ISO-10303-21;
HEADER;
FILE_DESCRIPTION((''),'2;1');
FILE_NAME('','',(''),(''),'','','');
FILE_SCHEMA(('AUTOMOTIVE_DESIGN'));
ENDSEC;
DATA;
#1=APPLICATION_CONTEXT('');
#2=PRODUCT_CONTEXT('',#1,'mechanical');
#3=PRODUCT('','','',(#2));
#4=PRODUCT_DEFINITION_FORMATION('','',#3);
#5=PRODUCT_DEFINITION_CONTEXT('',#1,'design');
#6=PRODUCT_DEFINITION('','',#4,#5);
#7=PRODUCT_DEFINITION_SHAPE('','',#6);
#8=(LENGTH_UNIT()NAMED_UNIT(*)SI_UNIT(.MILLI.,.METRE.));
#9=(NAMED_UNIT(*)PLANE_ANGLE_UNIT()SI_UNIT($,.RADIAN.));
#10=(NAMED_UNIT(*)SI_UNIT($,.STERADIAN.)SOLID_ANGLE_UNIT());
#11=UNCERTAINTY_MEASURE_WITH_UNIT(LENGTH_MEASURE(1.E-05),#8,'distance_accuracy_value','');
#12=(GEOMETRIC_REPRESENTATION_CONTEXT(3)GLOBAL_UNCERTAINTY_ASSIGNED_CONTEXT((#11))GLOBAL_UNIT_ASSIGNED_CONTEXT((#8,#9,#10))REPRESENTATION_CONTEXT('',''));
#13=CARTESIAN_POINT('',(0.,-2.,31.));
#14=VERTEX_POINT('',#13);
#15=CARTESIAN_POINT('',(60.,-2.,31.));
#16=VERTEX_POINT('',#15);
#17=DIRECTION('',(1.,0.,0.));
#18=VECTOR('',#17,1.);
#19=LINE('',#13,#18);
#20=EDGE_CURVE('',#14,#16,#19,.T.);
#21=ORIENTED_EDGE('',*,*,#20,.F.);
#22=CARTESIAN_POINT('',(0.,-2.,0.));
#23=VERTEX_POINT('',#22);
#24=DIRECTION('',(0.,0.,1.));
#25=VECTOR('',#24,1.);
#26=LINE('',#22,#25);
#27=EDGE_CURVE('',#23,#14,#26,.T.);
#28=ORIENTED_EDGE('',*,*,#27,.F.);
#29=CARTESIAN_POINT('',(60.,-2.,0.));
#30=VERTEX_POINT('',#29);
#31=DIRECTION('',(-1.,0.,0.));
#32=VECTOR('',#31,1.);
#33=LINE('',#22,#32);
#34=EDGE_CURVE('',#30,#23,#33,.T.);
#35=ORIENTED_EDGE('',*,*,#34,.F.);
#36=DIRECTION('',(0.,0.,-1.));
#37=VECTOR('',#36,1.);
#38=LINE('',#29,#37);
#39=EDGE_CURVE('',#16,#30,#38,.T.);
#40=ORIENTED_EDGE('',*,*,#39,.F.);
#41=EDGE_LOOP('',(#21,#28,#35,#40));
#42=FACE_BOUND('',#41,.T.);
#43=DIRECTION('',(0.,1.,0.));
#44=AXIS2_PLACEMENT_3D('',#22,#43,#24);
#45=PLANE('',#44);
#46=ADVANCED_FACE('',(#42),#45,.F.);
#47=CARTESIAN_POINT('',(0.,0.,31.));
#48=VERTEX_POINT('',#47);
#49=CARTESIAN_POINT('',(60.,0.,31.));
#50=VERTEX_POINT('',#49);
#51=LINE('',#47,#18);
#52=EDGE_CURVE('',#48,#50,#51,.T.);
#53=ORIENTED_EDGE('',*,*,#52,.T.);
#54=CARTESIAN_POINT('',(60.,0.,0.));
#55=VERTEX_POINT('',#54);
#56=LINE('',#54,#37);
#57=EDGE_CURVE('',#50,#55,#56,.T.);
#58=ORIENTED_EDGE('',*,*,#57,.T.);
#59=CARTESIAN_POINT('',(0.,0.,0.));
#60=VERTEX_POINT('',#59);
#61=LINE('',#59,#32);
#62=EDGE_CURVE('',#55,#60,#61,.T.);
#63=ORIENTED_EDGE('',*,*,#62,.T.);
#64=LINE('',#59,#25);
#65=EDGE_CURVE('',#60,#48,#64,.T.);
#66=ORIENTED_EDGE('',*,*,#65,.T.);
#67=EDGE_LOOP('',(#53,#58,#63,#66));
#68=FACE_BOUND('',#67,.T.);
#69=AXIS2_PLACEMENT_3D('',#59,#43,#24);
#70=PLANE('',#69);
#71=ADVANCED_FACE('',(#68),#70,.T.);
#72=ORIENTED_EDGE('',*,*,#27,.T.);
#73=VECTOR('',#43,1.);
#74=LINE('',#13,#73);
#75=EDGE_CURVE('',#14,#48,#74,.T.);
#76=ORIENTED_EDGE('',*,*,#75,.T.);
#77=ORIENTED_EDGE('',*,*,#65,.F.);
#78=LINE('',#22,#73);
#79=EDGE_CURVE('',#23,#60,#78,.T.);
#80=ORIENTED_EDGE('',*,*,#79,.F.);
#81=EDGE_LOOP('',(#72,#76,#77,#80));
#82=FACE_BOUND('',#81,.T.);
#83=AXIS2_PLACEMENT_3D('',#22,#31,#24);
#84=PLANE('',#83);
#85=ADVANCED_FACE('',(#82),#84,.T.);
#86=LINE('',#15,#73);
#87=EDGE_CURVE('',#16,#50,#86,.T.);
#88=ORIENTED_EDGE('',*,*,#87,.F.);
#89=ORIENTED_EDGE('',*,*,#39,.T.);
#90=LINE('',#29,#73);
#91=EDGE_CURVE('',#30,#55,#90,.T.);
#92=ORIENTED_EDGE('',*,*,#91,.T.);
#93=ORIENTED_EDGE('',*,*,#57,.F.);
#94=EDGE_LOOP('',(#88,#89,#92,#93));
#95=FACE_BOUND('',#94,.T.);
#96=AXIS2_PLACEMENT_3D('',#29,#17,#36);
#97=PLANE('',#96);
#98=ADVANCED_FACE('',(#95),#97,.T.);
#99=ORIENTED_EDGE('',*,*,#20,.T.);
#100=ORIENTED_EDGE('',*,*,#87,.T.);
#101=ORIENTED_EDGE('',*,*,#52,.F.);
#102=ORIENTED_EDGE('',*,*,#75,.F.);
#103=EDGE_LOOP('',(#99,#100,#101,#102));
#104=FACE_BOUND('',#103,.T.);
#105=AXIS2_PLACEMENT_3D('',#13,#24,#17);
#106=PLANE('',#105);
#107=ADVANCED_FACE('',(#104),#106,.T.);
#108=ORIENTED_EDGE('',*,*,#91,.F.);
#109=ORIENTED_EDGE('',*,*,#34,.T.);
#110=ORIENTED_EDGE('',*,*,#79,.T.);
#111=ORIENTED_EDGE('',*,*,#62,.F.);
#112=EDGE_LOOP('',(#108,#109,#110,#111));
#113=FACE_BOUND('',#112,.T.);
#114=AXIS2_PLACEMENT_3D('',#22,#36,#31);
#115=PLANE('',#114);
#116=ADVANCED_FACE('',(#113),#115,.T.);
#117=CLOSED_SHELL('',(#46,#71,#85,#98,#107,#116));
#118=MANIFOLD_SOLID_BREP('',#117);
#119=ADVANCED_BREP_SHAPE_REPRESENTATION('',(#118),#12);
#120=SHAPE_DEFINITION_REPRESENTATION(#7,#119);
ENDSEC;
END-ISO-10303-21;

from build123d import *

# Parameters (mm, degrees)
SKETCH1_W           = 60
SKETCH1_H           = 31
BOSS_EXTRUDE2_DEPTH = 2


with BuildPart() as part:
    # Sketch1 → Boss-Extrude2 (new body)
    with BuildSketch(Plane(origin=(0, 0, 0), x_dir=(1, 0, 0), z_dir=(0, 1, 0))):
        with Locations((30, -15.5)):
            Rectangle(SKETCH1_W, SKETCH1_H)
    extrude(amount=-BOSS_EXTRUDE2_DEPTH)


solid = part.part
